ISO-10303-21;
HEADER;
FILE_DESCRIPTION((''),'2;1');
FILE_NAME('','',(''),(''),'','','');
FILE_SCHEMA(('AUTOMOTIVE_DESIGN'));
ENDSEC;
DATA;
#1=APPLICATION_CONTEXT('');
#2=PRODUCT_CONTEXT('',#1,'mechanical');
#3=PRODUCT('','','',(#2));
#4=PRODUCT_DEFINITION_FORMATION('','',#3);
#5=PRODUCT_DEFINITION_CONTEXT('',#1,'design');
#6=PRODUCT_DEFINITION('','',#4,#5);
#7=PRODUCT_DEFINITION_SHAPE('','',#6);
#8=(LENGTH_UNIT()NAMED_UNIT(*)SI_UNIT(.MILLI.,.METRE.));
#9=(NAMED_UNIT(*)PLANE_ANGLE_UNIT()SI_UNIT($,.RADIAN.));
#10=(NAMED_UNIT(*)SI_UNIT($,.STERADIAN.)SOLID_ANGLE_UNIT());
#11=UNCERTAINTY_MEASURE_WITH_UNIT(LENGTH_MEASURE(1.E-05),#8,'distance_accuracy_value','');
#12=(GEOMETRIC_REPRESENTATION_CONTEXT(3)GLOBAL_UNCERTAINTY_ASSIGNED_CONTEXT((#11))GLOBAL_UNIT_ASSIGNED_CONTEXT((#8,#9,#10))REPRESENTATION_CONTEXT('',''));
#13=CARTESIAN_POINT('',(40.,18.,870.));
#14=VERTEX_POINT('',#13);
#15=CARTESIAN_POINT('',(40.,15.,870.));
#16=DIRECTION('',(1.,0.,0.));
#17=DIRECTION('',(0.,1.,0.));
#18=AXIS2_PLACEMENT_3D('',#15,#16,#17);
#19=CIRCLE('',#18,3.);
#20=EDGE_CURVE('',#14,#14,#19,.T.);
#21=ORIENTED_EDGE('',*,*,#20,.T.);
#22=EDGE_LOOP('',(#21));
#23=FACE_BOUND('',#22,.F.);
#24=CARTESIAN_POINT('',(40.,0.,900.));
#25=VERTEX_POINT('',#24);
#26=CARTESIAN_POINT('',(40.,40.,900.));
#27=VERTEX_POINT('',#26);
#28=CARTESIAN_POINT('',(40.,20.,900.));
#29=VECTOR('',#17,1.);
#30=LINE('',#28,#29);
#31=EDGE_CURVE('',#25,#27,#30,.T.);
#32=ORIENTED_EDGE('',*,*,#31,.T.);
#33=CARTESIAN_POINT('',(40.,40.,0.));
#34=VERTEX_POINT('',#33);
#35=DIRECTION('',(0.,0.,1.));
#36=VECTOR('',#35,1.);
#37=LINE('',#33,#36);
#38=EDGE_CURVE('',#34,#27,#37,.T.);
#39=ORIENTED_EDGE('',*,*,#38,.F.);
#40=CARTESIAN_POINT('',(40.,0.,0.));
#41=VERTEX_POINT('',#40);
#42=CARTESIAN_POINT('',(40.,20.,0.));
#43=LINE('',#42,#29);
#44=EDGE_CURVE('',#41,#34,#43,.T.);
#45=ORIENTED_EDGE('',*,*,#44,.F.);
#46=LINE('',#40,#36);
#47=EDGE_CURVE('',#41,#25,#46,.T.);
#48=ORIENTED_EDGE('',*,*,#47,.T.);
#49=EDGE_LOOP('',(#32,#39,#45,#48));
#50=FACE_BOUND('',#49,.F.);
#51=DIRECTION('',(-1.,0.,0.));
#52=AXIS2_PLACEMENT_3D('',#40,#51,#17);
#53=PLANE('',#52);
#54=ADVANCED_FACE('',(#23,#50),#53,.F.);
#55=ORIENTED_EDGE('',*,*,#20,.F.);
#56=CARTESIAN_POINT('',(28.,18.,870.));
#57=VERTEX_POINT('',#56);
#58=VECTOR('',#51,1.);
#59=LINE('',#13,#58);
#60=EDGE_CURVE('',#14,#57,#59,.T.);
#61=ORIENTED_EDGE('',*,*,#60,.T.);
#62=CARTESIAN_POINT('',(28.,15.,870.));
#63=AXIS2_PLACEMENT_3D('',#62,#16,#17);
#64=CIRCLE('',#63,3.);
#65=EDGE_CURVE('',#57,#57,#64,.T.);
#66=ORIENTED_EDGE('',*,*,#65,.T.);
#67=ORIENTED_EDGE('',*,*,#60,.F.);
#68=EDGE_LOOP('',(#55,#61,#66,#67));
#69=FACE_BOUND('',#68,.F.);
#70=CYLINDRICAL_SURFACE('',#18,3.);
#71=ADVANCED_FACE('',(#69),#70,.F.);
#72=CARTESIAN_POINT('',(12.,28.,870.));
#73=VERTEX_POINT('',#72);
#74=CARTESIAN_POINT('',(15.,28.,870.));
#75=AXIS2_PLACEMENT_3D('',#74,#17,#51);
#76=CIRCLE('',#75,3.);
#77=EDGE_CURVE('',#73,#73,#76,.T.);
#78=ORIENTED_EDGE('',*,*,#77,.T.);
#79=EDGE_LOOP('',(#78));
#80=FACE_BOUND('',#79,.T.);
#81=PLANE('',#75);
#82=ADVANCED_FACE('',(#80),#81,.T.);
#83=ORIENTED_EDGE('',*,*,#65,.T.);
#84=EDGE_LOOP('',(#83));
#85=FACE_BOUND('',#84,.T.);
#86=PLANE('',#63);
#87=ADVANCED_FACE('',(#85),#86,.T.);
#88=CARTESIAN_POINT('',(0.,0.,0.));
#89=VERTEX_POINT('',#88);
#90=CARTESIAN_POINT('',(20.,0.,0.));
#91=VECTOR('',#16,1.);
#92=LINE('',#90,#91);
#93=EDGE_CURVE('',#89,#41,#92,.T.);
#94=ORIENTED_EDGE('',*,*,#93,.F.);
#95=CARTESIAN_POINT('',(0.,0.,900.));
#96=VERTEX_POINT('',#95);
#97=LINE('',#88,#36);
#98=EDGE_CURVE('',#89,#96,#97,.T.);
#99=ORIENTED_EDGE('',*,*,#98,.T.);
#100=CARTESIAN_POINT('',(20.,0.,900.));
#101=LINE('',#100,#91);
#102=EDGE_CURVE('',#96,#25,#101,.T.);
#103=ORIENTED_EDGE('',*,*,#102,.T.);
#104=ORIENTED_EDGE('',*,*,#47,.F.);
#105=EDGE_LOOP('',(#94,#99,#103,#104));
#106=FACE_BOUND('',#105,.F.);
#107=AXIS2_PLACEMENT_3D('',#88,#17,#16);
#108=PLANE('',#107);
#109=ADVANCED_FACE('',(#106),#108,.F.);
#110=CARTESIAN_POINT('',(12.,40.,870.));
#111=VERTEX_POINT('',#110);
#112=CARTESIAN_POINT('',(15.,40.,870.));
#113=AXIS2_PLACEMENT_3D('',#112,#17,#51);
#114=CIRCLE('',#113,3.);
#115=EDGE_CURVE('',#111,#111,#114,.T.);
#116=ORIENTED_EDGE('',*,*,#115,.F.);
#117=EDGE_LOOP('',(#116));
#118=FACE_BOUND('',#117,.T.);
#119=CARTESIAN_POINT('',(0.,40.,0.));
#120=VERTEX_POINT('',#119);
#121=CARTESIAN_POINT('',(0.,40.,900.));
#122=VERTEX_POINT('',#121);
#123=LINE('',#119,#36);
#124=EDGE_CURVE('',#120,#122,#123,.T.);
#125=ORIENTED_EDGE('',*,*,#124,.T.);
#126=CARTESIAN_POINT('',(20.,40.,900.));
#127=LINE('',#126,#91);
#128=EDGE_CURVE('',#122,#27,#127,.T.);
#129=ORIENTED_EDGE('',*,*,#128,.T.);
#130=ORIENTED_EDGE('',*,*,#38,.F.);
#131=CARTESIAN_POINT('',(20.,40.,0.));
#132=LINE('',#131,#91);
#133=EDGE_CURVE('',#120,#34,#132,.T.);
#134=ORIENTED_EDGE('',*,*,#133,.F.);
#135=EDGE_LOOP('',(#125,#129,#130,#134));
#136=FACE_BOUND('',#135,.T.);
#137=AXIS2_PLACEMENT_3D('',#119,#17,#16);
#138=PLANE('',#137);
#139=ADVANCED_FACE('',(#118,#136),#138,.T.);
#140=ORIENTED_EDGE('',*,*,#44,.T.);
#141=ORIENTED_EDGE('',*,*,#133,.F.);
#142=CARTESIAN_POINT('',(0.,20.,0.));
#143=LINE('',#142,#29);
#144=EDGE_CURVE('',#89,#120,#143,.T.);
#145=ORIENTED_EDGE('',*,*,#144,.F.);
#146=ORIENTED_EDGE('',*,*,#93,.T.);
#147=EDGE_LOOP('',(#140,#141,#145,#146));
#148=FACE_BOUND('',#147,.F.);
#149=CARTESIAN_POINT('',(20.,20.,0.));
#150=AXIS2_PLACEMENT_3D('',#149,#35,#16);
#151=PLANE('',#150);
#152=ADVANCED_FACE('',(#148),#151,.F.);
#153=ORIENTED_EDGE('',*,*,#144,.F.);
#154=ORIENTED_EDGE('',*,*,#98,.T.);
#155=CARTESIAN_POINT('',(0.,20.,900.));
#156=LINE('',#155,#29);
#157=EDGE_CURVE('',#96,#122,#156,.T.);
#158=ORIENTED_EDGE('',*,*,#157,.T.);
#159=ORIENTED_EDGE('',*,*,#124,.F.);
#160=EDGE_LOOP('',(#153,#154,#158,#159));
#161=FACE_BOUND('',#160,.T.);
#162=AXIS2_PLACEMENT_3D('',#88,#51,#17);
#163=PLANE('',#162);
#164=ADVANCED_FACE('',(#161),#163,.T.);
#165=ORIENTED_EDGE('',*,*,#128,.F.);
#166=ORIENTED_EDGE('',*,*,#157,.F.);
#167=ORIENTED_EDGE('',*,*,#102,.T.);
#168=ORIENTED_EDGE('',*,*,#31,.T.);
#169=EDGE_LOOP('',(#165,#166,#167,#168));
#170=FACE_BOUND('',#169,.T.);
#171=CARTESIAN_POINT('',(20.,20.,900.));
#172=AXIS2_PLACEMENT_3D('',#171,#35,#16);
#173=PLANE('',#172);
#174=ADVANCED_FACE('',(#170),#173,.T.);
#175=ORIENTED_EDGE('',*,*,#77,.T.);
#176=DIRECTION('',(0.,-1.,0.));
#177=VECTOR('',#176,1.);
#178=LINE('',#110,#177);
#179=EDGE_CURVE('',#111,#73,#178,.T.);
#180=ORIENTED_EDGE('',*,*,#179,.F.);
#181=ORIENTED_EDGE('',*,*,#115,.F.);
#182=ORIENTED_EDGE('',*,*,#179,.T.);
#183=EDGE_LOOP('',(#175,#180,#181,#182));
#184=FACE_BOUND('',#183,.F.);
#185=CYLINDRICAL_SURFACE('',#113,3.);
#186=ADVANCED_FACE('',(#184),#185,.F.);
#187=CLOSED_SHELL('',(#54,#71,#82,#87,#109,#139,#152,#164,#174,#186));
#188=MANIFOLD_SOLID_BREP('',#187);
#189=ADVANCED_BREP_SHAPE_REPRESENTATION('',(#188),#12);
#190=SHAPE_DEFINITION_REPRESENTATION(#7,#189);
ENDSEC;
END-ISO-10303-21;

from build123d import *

# Parameters (mm, degrees)
F0_W     = 40
F0_H     = 40
F1_DEPTH = 900
F2_R     = 3
F3_DEPTH = 12
F4_R     = 3
F5_DEPTH = 12


with BuildPart() as f1:
    # F0 (on Top) → F1 (new body)
    with BuildSketch(Plane.XY):
        with Locations((20, 20)):
            Rectangle(F0_W, F0_H)
    extrude(amount=F1_DEPTH)

    # F2 (on face) → F3 (cut)
    with BuildSketch(Plane.YZ.offset(40)):
        with Locations((15, 870)):
            Circle(F2_R)
    extrude(amount=-F3_DEPTH, mode=Mode.SUBTRACT)

    # F4 (on face) → F5 (cut)
    with BuildSketch(Plane(origin=(0, 40, 0), x_dir=(-1, 0, 0), z_dir=(0, 1, 0))):
        with Locations((-15, 870)):
            Circle(F4_R)
    extrude(amount=-F5_DEPTH, mode=Mode.SUBTRACT)


solid = f1.part
